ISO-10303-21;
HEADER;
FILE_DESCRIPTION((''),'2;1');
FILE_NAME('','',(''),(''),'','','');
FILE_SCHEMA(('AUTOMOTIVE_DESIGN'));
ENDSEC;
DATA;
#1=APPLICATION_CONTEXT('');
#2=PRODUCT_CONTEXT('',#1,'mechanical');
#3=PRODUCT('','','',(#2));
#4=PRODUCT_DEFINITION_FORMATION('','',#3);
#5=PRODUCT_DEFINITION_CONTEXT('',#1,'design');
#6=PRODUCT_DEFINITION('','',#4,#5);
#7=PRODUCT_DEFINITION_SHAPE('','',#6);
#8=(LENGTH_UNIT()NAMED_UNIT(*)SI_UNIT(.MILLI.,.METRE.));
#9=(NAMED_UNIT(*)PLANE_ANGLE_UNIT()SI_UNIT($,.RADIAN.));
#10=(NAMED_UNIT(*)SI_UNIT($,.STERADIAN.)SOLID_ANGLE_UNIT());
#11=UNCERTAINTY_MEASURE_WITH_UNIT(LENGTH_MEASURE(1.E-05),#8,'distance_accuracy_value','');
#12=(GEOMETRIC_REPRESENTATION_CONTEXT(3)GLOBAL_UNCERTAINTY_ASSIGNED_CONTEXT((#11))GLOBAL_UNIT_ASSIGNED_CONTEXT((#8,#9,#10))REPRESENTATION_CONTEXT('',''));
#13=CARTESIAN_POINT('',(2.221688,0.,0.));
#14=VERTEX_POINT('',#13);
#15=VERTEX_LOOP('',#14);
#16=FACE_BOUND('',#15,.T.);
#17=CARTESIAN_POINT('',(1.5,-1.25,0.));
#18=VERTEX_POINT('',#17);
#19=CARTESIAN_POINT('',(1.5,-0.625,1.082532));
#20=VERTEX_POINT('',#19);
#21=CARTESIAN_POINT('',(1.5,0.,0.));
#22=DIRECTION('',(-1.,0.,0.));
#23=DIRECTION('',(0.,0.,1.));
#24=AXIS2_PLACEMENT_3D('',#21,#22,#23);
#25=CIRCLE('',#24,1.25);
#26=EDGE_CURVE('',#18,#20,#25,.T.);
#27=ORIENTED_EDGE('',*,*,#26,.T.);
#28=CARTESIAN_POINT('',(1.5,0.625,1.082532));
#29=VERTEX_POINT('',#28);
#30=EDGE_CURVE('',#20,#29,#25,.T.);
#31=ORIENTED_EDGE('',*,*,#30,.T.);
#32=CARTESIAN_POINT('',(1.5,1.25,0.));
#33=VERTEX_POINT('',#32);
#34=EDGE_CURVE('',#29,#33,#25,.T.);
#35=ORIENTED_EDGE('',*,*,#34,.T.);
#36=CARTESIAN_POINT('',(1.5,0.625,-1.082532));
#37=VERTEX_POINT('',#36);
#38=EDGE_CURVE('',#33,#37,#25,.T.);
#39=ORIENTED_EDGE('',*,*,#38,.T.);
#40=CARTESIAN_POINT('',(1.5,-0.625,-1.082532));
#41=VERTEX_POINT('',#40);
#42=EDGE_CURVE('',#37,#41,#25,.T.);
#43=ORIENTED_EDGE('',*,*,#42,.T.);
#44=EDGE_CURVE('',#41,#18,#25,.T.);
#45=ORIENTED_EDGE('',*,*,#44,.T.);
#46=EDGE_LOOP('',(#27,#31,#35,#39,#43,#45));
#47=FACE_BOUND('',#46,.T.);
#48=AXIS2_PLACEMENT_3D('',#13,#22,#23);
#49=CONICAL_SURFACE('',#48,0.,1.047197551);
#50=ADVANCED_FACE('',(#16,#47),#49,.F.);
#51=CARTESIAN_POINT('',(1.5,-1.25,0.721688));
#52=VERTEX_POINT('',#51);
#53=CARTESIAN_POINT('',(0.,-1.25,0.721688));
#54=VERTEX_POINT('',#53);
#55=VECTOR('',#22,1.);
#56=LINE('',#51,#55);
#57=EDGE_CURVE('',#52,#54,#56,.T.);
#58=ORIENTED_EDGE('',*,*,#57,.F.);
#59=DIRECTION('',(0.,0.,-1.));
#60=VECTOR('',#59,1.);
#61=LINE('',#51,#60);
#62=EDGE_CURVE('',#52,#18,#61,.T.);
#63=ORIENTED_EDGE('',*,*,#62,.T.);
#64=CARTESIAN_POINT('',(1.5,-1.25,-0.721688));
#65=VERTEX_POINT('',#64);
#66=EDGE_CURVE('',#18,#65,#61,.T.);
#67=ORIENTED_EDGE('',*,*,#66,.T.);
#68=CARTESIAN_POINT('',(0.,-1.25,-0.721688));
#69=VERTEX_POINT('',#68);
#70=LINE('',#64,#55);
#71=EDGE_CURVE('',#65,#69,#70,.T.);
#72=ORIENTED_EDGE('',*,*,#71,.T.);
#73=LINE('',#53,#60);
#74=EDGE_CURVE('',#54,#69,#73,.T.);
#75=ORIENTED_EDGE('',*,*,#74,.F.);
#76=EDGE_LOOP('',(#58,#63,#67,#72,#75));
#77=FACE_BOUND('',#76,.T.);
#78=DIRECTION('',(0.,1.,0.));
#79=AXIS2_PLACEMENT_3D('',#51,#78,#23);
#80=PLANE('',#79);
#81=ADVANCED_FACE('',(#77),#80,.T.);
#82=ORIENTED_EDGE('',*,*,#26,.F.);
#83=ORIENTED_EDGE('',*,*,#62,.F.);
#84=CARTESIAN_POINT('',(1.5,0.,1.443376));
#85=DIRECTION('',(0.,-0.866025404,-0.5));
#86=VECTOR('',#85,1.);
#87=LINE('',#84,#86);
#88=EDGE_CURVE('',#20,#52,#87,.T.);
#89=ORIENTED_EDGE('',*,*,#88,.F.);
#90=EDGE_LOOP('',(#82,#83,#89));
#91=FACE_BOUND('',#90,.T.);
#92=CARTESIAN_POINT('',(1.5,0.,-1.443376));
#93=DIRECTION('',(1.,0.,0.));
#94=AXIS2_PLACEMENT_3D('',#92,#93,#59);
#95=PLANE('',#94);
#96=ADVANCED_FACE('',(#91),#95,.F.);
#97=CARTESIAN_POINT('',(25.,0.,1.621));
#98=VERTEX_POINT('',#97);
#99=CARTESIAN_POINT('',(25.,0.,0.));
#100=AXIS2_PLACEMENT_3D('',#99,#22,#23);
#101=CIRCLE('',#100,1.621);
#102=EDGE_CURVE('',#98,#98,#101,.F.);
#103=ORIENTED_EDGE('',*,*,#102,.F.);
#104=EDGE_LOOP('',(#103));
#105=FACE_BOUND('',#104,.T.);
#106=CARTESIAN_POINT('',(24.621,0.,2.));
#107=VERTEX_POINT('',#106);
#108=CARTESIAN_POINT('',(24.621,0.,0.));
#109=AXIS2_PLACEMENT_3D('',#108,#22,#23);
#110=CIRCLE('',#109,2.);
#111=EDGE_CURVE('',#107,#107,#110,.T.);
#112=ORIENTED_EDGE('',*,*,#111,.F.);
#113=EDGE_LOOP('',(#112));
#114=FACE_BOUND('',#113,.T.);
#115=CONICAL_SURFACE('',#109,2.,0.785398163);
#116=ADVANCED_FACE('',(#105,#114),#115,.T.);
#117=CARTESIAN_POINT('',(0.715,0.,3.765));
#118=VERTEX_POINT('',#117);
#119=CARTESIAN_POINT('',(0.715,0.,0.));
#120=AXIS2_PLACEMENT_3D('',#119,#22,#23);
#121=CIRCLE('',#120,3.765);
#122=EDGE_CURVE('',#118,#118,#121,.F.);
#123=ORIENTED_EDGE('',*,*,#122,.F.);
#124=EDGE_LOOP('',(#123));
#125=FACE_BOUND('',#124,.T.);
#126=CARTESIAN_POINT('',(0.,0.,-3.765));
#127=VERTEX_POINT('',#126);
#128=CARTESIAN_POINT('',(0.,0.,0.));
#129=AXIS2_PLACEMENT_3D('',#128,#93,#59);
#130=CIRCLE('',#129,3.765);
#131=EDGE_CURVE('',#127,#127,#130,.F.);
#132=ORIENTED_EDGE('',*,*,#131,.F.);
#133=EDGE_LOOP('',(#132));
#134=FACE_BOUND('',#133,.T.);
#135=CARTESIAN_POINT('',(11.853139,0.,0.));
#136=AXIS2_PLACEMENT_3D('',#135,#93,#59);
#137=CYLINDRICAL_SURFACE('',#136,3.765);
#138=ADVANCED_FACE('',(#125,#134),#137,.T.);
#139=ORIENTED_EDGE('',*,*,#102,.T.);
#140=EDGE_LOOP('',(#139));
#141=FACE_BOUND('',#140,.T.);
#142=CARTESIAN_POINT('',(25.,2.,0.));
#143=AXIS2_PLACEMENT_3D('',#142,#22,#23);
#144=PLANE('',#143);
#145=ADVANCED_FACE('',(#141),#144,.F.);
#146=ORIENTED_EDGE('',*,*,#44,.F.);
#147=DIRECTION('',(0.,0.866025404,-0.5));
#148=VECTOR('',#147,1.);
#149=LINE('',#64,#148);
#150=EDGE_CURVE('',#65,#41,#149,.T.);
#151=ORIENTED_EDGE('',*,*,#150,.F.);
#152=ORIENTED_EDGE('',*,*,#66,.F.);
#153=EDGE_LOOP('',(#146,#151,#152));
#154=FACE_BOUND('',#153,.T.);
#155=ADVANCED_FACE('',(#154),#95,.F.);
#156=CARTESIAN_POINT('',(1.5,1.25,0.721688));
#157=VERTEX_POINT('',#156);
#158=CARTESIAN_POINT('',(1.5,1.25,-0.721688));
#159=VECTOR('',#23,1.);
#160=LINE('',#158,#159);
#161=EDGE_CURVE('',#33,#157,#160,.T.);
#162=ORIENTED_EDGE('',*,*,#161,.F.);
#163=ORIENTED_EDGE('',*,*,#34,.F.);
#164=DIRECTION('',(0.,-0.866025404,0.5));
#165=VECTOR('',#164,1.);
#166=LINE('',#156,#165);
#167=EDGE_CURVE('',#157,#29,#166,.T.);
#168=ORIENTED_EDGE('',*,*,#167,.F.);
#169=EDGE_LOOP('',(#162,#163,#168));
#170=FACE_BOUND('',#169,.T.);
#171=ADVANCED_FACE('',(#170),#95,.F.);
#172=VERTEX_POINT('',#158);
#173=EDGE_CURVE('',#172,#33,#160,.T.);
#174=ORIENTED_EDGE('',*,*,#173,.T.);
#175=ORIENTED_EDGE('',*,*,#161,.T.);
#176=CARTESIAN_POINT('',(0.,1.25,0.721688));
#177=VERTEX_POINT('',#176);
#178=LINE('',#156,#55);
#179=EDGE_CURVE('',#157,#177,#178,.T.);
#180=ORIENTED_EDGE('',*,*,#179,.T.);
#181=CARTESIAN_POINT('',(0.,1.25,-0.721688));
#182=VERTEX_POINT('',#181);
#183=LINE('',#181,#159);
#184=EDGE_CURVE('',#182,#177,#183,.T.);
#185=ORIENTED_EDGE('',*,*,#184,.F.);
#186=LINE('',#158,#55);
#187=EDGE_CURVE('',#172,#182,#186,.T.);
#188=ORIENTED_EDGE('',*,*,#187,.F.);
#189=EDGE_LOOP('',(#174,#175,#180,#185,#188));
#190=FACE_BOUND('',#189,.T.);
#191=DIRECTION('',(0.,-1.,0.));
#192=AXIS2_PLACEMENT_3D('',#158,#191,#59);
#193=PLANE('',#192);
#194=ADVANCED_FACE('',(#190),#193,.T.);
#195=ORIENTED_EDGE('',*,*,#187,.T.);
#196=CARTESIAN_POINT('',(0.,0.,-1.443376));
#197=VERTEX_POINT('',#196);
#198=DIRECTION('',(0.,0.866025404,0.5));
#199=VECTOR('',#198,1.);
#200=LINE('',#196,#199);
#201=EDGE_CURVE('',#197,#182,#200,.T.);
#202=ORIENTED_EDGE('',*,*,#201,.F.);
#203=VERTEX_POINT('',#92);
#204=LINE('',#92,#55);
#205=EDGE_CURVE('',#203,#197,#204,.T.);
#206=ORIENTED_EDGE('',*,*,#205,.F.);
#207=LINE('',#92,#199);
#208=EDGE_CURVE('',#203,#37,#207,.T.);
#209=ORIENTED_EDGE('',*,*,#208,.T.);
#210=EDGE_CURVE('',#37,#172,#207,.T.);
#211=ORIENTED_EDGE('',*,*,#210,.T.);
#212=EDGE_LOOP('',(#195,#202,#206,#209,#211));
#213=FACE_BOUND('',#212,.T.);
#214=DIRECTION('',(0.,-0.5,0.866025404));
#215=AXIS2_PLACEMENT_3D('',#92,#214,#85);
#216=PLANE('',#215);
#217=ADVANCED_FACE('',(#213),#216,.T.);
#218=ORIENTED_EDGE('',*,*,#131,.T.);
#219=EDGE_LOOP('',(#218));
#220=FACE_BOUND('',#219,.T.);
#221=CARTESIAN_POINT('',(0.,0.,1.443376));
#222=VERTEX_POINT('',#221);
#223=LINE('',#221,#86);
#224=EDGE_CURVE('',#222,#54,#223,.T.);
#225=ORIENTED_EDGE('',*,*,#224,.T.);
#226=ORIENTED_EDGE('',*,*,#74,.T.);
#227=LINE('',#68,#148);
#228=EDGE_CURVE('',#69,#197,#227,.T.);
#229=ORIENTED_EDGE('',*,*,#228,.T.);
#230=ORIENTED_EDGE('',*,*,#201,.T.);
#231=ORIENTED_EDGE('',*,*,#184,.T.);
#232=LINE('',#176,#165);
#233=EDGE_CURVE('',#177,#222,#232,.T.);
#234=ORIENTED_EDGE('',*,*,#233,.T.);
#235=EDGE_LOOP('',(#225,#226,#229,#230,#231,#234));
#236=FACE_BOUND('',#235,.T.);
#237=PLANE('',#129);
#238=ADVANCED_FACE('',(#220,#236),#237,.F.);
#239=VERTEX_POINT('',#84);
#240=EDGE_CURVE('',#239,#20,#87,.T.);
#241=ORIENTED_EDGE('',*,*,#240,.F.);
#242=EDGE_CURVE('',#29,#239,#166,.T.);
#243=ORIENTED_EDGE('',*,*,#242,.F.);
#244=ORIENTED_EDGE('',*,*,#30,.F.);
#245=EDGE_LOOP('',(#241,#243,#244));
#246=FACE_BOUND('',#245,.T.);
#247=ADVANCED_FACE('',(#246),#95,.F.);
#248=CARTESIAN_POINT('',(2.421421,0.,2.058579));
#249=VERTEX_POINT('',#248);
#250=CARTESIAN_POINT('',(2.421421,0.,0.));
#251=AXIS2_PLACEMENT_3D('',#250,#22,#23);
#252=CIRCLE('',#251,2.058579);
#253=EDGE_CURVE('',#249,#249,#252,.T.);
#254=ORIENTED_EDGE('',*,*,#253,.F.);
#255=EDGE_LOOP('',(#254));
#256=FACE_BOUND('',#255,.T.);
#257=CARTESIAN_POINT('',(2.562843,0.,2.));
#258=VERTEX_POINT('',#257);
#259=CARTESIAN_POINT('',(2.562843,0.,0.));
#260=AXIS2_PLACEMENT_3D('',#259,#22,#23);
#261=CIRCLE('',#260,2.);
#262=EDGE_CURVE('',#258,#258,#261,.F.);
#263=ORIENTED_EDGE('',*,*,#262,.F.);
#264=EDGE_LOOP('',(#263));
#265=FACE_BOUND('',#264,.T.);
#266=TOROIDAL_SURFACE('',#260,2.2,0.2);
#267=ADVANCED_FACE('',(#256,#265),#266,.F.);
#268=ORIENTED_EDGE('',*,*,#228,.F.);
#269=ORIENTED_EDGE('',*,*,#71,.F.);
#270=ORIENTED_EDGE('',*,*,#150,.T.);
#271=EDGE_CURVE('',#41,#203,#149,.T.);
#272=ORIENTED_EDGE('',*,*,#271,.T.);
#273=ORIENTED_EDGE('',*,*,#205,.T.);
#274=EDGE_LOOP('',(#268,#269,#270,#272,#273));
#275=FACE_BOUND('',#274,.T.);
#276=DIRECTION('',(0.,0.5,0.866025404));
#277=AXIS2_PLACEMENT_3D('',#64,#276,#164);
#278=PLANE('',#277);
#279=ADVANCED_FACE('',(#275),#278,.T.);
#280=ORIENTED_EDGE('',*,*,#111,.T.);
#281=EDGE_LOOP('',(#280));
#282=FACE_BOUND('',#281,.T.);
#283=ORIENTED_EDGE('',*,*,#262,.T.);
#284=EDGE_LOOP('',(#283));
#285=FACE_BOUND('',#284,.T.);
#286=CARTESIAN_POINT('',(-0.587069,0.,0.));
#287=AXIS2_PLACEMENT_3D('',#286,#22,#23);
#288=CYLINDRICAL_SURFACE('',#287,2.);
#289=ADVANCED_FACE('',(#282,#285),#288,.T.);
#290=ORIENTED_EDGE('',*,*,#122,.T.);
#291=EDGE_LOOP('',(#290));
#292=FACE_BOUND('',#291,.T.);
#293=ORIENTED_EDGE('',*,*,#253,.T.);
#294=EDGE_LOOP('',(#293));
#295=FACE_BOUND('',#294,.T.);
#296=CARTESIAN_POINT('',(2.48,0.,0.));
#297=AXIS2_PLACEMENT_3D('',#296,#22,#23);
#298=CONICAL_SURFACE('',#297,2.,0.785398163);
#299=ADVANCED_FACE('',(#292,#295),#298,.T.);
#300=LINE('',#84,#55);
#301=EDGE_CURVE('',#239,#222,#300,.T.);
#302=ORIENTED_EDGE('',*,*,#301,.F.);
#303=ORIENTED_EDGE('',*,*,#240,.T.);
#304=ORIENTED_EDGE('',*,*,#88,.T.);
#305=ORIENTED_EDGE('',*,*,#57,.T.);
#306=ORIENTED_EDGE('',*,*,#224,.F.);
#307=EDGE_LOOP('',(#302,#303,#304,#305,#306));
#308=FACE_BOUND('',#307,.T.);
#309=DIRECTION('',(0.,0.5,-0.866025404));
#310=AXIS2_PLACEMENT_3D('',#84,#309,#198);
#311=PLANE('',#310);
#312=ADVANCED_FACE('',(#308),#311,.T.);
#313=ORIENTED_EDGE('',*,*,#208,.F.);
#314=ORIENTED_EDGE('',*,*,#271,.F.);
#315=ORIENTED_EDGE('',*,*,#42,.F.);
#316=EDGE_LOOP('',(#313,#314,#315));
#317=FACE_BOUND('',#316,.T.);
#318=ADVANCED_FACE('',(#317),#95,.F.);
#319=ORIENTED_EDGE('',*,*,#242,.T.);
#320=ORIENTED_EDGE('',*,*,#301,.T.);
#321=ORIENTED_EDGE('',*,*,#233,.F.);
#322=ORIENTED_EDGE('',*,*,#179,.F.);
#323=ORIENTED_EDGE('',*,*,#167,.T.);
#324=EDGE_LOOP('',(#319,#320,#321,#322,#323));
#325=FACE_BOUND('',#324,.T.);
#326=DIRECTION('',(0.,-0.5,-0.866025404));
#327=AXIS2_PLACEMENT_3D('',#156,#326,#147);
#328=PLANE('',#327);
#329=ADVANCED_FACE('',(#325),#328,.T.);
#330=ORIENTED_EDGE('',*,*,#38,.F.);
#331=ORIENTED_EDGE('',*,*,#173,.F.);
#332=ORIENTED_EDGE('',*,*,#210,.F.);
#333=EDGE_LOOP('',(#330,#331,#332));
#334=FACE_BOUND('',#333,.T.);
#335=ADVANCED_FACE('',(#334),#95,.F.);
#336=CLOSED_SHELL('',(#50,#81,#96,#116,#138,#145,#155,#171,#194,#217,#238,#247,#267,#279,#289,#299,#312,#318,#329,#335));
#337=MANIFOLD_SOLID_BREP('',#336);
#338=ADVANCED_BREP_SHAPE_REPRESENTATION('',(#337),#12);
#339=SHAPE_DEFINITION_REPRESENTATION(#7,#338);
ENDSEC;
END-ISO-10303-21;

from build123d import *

# Parameters (mm, degrees)
HEXAGONSOCKET_DEPTH = 1.5
HEADFILLET_R        = 0.2
CHAMFER_2_SIZE      = 0.379
SKETCH4_W           = 5
SKETCH4_H           = 5


with BuildPart() as part:
    # Sketch1 → Base (revolve)
    with BuildSketch(Plane.XY, mode=Mode.PRIVATE) as base_sk:
        Polygon((0, 0), (0, 4.48), (2.48, 2), (25, 2), (25, 0), align=None)
    revolve(base_sk.sketch.rotate(Axis((-0.587069181, 0, 0), (1, 0, 0)), 90), axis=Axis((-0.587069181, 0, 0), (1, 0, 0)))

    # Sketch2 → HexagonSocket (cut)
    with BuildSketch(Plane(origin=(0, 0, 0), x_dir=(0, 0, -1), z_dir=(1, 0, 0))):
        Polygon((1.443375673, 0), (0.721687836, 1.25), (-0.721687836, 1.25), (-1.443375673, 0), (-0.721687836, -1.25), (0.721687836, -1.25), align=None)
    extrude(amount=HEXAGONSOCKET_DEPTH, mode=Mode.SUBTRACT)

    # Sketch3 → Cut-Revolve1 (revolve, cut)
    with BuildSketch(Plane.XY, mode=Mode.PRIVATE) as cut_revolve1_sk:
        Polygon((1.5, 1.25), (2.221687836, 0), (1.5, 0), align=None)
    revolve(cut_revolve1_sk.sketch.rotate(Axis((-0.439109555, 0, 0), (1, 0, 0)), 90), axis=Axis((-0.439109555, 0, 0), (1, 0, 0)), mode=Mode.SUBTRACT)

    # HeadFillet
    headfillet_edges = [part.edges().sort_by_distance(p)[0] for p in [
        (2.48, 0, -2),
    ]]
    fillet(headfillet_edges, radius=HEADFILLET_R)

    # Chamfer 2
    chamfer_2_edges = [part.edges().sort_by_distance(p)[0] for p in [
        (25, 0, -2),
    ]]
    chamfer(chamfer_2_edges, length=CHAMFER_2_SIZE)

    # Sketch4 → Cut-Revolve2 (revolve, cut)
    with BuildSketch(Plane(origin=(0, 0, 0), x_dir=(1, 0, 0), z_dir=(0, 1, 0)), mode=Mode.PRIVATE) as cut_revolve2_sk:
        with Locations((0.5, 6.265)):
            Rectangle(SKETCH4_W, SKETCH4_H)
    revolve(cut_revolve2_sk.sketch.rotate(Axis((11.853138686, 0, 0), (-1, 0, 0)), 180), axis=Axis((11.853138686, 0, 0), (-1, 0, 0)), mode=Mode.SUBTRACT)


solid = part.part
